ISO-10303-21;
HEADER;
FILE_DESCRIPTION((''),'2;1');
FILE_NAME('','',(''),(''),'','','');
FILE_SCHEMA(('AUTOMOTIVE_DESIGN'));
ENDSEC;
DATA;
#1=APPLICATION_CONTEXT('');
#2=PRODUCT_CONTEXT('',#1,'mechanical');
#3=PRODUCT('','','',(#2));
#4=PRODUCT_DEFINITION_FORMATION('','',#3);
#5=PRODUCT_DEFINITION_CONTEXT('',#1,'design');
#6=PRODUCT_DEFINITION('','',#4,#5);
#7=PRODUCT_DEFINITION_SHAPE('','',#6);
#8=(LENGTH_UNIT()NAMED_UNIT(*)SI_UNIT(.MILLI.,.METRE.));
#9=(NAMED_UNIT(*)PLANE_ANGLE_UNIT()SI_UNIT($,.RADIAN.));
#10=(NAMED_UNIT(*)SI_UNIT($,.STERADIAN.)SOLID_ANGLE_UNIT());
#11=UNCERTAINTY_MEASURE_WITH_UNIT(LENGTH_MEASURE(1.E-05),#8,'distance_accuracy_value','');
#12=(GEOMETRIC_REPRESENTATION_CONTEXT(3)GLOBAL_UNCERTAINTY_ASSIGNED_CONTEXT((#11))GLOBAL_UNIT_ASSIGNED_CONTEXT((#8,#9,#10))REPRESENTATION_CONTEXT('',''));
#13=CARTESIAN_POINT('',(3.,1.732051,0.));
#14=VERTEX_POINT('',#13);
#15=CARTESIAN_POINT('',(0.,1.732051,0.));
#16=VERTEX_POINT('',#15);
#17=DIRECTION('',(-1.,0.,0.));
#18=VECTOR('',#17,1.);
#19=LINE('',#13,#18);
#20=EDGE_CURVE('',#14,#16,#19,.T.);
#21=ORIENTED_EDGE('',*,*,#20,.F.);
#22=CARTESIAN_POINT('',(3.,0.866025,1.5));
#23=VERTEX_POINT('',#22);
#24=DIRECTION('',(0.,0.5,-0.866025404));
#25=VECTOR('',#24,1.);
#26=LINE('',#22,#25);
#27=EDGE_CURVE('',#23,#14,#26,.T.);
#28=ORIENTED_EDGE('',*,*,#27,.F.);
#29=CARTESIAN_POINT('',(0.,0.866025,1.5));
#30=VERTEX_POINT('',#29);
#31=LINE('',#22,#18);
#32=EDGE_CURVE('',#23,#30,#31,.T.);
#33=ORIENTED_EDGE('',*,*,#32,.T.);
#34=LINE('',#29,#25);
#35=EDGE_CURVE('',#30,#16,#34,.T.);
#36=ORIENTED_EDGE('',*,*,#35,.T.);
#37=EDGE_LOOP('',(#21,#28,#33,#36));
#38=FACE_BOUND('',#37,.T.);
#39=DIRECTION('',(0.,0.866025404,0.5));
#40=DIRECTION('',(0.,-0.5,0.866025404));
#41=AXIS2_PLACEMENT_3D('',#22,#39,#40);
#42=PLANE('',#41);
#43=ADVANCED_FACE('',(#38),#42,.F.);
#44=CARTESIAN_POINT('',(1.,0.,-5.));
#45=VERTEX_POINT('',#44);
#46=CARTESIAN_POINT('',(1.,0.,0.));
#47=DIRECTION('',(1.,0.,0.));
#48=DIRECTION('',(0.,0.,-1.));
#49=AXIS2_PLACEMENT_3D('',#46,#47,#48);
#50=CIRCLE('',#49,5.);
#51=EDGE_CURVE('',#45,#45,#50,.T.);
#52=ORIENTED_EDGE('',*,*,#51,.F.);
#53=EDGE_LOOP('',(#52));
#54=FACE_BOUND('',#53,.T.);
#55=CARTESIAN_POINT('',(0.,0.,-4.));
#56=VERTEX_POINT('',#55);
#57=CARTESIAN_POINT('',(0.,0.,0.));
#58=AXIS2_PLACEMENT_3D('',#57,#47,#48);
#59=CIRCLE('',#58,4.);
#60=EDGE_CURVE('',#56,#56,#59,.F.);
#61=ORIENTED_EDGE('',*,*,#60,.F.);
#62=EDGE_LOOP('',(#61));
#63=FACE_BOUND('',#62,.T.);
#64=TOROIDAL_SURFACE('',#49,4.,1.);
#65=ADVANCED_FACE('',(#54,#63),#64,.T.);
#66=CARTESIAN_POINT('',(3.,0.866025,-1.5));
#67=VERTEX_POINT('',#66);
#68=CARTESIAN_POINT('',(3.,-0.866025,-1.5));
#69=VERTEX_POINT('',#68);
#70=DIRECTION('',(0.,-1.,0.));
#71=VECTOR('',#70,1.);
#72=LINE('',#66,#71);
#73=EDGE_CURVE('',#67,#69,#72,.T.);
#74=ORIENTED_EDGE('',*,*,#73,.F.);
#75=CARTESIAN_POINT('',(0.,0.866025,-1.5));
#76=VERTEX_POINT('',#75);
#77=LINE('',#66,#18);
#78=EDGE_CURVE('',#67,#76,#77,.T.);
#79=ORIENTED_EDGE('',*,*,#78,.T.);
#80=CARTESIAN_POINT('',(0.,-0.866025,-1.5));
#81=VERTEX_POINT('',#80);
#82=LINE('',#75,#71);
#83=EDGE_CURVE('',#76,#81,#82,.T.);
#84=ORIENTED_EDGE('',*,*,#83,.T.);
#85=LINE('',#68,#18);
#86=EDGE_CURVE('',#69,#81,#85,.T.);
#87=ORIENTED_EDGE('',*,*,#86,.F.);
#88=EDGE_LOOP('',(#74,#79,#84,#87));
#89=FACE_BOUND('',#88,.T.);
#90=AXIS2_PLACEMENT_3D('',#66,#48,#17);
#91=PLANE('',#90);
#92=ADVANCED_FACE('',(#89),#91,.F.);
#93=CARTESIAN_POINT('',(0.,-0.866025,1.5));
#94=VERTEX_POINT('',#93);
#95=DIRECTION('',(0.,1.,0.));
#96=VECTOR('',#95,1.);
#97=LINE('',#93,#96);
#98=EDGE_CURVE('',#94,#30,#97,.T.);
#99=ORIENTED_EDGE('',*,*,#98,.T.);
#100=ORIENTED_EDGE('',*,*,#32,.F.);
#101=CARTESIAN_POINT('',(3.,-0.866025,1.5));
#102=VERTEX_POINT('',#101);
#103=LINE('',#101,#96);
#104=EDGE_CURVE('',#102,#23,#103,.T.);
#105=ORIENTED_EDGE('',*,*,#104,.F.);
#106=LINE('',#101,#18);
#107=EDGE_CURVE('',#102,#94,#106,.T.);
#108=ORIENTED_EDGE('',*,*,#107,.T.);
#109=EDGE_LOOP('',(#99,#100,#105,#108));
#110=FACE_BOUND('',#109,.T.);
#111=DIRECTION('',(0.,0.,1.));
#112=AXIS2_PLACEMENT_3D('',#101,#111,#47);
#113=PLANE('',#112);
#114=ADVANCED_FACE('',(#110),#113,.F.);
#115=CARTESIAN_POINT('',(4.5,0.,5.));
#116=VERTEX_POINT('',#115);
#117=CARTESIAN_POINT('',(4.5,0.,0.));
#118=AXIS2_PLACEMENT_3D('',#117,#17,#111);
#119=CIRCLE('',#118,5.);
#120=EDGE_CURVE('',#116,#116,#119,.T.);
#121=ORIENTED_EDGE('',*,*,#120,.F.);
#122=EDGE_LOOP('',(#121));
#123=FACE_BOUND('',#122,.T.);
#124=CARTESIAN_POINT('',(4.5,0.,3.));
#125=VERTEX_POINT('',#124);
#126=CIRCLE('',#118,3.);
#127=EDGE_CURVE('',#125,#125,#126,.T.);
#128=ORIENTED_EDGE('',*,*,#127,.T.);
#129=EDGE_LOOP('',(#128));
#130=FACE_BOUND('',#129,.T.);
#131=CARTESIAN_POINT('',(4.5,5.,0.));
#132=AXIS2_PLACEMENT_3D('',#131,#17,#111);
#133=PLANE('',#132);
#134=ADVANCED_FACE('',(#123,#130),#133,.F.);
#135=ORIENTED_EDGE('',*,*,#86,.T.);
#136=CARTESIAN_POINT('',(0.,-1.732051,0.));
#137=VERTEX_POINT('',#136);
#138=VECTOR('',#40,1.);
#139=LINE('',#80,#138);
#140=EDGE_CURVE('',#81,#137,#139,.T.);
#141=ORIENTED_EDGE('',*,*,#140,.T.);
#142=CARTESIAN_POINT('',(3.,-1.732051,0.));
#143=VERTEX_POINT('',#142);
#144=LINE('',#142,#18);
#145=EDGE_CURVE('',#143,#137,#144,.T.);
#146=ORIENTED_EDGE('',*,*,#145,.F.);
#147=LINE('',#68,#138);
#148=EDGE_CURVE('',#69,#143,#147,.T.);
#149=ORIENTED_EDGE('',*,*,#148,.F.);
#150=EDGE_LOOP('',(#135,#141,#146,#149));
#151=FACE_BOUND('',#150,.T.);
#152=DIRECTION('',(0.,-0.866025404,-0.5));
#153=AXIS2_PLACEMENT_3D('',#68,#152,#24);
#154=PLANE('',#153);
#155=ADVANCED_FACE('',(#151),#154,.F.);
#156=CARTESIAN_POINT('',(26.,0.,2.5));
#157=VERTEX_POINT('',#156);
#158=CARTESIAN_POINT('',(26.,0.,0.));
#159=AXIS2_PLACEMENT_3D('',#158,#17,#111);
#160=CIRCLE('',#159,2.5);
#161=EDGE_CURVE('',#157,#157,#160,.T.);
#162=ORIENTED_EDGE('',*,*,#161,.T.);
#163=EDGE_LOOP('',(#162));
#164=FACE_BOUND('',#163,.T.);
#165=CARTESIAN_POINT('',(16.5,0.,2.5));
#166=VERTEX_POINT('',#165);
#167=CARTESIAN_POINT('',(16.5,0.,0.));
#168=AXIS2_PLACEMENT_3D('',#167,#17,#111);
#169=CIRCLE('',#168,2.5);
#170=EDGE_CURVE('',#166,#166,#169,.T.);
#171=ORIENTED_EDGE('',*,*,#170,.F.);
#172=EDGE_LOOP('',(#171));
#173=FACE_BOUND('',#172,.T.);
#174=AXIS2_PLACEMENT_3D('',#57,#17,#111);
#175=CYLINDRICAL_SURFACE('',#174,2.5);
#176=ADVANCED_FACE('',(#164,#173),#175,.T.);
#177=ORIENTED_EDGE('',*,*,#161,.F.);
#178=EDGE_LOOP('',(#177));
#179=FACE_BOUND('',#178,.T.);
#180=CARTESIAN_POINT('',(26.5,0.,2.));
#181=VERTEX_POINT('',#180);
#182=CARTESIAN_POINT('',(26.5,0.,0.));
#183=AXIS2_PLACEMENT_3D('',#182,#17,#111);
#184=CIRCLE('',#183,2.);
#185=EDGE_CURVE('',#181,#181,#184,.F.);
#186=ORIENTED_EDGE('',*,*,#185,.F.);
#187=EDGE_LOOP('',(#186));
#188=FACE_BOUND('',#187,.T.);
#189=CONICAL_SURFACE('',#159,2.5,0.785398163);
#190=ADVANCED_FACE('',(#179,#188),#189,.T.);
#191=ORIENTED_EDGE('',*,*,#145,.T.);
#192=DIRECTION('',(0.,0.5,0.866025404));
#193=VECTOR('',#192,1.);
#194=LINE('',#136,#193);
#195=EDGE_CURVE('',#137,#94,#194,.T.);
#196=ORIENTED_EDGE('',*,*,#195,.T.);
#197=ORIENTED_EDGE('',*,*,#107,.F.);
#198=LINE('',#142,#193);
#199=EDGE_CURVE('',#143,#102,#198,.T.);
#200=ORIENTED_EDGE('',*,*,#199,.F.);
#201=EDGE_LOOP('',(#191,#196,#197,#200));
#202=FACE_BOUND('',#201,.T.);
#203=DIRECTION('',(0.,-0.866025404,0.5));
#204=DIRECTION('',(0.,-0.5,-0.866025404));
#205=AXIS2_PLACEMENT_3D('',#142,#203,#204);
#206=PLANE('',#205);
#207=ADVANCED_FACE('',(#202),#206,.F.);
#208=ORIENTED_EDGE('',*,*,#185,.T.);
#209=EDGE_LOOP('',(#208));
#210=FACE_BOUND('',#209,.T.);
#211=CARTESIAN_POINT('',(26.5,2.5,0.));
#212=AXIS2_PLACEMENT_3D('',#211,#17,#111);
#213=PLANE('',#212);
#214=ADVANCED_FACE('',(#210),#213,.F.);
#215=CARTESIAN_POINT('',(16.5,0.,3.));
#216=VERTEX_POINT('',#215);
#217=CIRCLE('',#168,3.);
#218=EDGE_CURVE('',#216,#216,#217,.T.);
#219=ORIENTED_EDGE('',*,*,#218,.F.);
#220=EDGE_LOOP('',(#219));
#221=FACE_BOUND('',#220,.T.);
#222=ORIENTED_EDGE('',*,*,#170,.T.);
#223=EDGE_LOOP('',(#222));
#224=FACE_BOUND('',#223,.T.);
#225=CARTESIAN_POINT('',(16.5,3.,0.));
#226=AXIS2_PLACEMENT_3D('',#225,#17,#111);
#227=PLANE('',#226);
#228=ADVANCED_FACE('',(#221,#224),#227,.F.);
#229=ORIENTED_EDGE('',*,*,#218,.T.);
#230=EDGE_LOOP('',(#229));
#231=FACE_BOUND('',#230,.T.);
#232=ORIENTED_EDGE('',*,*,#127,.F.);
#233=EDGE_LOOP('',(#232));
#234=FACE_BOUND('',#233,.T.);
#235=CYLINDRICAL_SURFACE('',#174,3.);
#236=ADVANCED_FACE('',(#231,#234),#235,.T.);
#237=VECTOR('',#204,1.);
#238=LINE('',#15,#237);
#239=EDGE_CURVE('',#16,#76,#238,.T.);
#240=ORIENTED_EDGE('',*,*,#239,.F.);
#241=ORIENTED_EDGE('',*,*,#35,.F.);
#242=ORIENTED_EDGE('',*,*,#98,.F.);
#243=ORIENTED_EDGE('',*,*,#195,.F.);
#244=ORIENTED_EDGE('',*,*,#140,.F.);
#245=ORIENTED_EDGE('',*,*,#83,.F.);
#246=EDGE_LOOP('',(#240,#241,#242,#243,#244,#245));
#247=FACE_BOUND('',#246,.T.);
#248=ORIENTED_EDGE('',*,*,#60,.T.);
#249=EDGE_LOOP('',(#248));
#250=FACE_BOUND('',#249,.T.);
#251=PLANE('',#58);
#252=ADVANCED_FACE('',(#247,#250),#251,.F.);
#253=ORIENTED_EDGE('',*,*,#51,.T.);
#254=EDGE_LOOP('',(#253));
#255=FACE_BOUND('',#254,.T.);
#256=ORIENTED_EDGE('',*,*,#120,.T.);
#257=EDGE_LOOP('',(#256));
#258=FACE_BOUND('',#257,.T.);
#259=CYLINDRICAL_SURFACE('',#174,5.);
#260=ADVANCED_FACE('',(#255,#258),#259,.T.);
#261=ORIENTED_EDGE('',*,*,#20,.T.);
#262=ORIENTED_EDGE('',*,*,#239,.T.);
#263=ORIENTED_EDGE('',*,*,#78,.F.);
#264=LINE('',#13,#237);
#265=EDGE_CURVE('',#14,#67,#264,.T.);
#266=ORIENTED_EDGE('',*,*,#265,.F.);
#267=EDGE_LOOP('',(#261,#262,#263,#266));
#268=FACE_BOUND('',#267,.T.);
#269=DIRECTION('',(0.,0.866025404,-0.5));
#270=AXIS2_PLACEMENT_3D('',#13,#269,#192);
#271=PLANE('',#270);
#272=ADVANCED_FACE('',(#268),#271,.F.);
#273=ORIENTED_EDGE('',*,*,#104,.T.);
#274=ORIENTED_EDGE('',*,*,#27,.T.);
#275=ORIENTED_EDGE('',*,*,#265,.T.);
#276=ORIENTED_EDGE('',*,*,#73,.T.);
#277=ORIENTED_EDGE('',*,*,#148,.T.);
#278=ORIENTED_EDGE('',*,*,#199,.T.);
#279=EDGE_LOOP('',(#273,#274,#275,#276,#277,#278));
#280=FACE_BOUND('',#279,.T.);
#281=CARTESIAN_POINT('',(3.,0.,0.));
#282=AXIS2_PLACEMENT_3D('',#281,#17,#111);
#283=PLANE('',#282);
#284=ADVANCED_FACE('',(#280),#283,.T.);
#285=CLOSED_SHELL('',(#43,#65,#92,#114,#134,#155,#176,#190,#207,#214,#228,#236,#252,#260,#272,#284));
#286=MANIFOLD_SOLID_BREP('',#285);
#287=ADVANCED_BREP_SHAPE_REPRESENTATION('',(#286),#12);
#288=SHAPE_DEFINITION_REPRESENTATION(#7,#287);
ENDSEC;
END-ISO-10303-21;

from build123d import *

# Parameters (mm, degrees)
CUT_EXTRUDE_1_DEPTH = 3
FILLET_1_R          = 1
CHAMFER_1_SIZE      = 0.5


with BuildPart() as part:
    # 草图1 → 旋转1 (revolve)
    with BuildSketch(Plane.XY):
        Polygon((0, 0), (0, 5), (4.5, 5), (4.5, 3), (16.5, 3), (16.5, 2.5), (26.5, 2.5), (26.5, 0), align=None)
    revolve(axis=Axis((0, 0, 0), (1, 0, 0)))

    # 草图2 → 切除-拉伸1 (cut)
    with BuildSketch(Plane.ZY):
        Polygon((0, 1.732050808), (-1.5, 0.866025404), (-1.5, -0.866025404), (0, -1.732050808), (1.5, -0.866025404), (1.5, 0.866025404), align=None)
    extrude(amount=-CUT_EXTRUDE_1_DEPTH, mode=Mode.SUBTRACT)

    # 圆角1
    fillet_1_edges = [part.edges().sort_by_distance(p)[0] for p in [
        (0, -5, 0),
    ]]
    fillet(fillet_1_edges, radius=FILLET_1_R)

    # 倒角1
    chamfer_1_edges = [part.edges().sort_by_distance(p)[0] for p in [
        (26.5, -2.5, 0),
    ]]
    chamfer(chamfer_1_edges, length=CHAMFER_1_SIZE)


solid = part.part
